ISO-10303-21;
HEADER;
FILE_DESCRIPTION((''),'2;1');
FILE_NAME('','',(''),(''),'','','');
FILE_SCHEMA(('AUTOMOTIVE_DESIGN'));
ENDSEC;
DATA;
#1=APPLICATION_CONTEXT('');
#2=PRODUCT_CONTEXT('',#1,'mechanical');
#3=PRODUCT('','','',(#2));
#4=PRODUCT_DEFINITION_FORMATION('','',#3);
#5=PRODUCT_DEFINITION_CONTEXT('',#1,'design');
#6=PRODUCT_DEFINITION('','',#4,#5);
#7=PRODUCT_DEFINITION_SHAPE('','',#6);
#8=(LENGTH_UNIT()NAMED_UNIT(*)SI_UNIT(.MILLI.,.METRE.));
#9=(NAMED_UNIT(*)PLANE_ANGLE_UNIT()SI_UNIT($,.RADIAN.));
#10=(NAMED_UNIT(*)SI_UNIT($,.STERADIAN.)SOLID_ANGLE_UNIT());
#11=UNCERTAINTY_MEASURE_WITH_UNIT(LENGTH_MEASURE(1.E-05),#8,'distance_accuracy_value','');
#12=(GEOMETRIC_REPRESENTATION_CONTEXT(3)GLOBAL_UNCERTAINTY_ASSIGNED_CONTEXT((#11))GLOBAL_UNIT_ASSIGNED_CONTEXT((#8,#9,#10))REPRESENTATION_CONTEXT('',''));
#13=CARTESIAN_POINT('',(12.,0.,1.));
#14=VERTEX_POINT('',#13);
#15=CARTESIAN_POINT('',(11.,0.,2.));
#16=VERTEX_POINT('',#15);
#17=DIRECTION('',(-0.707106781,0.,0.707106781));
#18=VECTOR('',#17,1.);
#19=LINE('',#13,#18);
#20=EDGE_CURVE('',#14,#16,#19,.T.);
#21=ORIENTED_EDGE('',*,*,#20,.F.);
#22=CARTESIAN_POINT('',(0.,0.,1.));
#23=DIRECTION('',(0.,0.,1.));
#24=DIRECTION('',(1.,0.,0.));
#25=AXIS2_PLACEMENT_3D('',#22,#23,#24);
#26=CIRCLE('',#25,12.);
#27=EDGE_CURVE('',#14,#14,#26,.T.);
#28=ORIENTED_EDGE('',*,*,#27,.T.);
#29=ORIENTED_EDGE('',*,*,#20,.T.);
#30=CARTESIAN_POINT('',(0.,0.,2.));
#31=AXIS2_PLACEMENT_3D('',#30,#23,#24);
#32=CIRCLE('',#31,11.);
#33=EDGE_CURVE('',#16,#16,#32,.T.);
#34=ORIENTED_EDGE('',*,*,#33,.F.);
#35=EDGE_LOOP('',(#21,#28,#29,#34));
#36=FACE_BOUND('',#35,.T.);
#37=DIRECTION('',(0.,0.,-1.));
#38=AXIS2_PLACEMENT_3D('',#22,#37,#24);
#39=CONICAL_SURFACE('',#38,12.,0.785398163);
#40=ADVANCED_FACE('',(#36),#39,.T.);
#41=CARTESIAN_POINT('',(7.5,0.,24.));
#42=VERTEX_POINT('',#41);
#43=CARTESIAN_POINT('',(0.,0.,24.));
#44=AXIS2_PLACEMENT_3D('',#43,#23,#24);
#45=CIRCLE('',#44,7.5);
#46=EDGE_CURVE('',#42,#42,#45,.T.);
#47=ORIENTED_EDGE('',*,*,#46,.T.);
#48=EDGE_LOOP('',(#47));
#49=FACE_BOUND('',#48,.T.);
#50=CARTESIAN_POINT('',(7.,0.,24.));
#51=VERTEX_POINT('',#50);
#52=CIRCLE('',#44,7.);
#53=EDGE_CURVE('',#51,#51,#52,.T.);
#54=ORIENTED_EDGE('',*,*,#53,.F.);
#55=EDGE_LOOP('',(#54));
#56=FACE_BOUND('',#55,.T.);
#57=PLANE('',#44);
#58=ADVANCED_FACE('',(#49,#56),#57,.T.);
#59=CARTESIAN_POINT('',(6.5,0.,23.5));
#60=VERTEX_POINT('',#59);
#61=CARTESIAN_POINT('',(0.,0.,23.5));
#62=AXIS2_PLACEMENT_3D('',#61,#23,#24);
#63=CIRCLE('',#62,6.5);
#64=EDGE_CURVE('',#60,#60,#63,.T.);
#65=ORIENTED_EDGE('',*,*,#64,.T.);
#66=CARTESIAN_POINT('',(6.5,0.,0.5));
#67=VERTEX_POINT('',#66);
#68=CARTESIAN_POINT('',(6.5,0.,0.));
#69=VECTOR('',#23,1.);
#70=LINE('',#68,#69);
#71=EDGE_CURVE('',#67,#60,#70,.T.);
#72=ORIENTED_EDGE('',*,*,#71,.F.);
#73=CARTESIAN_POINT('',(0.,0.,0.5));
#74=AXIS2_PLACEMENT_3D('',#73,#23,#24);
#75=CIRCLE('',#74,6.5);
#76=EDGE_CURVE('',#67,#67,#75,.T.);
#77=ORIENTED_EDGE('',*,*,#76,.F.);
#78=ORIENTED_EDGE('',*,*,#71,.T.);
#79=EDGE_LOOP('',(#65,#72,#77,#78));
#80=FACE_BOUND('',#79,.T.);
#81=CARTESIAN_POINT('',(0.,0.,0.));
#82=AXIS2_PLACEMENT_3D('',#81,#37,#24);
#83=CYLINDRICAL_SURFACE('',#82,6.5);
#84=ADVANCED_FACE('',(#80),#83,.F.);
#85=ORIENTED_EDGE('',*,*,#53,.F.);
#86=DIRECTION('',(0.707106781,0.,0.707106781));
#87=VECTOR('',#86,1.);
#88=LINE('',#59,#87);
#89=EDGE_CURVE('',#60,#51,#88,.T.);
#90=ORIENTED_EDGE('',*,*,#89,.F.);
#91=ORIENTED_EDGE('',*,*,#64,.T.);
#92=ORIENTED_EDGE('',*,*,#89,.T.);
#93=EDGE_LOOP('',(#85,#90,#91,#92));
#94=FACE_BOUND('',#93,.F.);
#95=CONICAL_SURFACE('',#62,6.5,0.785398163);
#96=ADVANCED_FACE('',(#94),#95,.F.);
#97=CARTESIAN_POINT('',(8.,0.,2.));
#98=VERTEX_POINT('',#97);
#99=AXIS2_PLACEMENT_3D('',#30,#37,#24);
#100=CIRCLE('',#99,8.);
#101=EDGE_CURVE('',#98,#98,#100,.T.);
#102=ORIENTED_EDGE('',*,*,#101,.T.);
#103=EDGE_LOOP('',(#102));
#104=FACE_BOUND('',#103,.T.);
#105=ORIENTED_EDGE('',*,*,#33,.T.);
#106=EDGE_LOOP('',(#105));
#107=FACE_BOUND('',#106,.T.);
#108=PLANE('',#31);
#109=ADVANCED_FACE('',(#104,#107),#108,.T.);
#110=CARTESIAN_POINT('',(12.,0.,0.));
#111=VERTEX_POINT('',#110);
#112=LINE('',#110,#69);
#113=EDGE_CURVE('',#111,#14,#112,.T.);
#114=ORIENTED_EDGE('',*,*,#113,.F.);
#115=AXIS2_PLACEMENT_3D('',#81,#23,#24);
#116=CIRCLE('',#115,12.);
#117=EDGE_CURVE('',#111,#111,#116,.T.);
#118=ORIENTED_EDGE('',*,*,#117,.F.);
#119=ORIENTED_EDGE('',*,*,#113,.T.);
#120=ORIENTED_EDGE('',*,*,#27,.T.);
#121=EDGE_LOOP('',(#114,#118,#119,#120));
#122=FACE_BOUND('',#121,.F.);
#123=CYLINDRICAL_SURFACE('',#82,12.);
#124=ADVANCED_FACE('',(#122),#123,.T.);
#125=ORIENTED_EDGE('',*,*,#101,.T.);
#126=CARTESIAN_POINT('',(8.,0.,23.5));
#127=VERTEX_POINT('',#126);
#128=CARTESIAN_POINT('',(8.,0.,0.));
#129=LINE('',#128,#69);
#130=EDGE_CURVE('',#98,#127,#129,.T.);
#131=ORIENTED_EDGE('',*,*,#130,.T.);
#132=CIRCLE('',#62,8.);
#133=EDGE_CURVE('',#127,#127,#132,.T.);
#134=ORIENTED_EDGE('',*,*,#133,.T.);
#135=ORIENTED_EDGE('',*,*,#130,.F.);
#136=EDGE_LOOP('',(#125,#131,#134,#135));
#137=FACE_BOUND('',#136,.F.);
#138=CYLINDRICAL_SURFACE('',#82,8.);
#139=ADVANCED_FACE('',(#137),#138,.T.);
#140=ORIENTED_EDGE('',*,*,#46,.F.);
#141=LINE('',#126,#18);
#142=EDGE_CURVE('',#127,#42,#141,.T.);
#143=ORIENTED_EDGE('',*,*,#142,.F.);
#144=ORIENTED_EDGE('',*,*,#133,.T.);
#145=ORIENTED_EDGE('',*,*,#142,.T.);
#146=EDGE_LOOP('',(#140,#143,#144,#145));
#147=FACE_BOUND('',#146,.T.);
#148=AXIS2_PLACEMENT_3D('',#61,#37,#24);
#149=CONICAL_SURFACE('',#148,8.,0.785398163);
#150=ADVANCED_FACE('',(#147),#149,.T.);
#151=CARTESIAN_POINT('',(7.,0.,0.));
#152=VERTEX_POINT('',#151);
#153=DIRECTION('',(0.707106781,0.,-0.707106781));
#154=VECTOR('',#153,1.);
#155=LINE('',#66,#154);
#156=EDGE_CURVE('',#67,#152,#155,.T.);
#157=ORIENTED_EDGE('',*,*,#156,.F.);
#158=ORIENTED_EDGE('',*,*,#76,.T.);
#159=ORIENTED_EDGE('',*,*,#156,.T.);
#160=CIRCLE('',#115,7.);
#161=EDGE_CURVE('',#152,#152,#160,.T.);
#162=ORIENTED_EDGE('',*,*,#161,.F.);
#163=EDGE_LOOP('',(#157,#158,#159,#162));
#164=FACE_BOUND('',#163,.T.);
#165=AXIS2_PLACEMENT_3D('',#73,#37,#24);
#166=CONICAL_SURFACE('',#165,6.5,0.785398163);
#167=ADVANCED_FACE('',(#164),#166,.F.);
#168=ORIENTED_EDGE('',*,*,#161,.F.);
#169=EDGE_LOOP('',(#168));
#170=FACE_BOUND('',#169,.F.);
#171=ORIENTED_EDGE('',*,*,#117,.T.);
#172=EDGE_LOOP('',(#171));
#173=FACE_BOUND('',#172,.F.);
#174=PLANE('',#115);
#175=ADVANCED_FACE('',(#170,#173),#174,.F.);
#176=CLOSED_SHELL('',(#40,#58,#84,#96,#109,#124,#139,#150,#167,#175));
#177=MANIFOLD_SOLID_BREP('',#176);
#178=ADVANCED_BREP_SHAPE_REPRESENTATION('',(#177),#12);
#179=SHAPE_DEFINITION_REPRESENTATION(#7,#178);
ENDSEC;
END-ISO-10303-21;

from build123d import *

# Parameters (mm, degrees)
SKETCH_R        = 8
SKETCH_R_2      = 6.5
PAD_DEPTH       = 24
CHAMFER_SIZE    = 0.5
SKETCH001_R     = 12
SKETCH001_R_2   = 6.5
PAD001_DEPTH    = 2
CHAMFER001_SIZE = 0.5
CHAMFER002_SIZE = 1
CHAMFER003_SIZE = 0.5


with BuildPart() as part:
    # Sketch → Pad (new body)
    with BuildSketch(Plane.XY):
        Circle(SKETCH_R)
        Circle(SKETCH_R_2, mode=Mode.SUBTRACT)
    extrude(amount=PAD_DEPTH)

    # Chamfer
    chamfer_edges = [part.edges().sort_by_distance(p)[0] for p in [
        (-6.5, 0, 24),
    ]]
    chamfer(chamfer_edges, length=CHAMFER_SIZE)

    # Sketch001 → Pad001 (join)
    with BuildSketch(Plane.XY):
        Circle(SKETCH001_R)
        Circle(SKETCH001_R_2, mode=Mode.SUBTRACT)
    extrude(amount=PAD001_DEPTH)

    # Chamfer001
    chamfer001_edges = [part.edges().sort_by_distance(p)[0] for p in [
        (-6.5, 0, 0),
    ]]
    chamfer(chamfer001_edges, length=CHAMFER001_SIZE)

    # Chamfer002
    chamfer002_edges = [part.edges().sort_by_distance(p)[0] for p in [
        (-12, 0, 2),
    ]]
    chamfer(chamfer002_edges, length=CHAMFER002_SIZE)

    # Chamfer003
    chamfer003_edges = [part.edges().sort_by_distance(p)[0] for p in [
        (-8, 0, 24),
    ]]
    chamfer(chamfer003_edges, length=CHAMFER003_SIZE)


solid = part.part
